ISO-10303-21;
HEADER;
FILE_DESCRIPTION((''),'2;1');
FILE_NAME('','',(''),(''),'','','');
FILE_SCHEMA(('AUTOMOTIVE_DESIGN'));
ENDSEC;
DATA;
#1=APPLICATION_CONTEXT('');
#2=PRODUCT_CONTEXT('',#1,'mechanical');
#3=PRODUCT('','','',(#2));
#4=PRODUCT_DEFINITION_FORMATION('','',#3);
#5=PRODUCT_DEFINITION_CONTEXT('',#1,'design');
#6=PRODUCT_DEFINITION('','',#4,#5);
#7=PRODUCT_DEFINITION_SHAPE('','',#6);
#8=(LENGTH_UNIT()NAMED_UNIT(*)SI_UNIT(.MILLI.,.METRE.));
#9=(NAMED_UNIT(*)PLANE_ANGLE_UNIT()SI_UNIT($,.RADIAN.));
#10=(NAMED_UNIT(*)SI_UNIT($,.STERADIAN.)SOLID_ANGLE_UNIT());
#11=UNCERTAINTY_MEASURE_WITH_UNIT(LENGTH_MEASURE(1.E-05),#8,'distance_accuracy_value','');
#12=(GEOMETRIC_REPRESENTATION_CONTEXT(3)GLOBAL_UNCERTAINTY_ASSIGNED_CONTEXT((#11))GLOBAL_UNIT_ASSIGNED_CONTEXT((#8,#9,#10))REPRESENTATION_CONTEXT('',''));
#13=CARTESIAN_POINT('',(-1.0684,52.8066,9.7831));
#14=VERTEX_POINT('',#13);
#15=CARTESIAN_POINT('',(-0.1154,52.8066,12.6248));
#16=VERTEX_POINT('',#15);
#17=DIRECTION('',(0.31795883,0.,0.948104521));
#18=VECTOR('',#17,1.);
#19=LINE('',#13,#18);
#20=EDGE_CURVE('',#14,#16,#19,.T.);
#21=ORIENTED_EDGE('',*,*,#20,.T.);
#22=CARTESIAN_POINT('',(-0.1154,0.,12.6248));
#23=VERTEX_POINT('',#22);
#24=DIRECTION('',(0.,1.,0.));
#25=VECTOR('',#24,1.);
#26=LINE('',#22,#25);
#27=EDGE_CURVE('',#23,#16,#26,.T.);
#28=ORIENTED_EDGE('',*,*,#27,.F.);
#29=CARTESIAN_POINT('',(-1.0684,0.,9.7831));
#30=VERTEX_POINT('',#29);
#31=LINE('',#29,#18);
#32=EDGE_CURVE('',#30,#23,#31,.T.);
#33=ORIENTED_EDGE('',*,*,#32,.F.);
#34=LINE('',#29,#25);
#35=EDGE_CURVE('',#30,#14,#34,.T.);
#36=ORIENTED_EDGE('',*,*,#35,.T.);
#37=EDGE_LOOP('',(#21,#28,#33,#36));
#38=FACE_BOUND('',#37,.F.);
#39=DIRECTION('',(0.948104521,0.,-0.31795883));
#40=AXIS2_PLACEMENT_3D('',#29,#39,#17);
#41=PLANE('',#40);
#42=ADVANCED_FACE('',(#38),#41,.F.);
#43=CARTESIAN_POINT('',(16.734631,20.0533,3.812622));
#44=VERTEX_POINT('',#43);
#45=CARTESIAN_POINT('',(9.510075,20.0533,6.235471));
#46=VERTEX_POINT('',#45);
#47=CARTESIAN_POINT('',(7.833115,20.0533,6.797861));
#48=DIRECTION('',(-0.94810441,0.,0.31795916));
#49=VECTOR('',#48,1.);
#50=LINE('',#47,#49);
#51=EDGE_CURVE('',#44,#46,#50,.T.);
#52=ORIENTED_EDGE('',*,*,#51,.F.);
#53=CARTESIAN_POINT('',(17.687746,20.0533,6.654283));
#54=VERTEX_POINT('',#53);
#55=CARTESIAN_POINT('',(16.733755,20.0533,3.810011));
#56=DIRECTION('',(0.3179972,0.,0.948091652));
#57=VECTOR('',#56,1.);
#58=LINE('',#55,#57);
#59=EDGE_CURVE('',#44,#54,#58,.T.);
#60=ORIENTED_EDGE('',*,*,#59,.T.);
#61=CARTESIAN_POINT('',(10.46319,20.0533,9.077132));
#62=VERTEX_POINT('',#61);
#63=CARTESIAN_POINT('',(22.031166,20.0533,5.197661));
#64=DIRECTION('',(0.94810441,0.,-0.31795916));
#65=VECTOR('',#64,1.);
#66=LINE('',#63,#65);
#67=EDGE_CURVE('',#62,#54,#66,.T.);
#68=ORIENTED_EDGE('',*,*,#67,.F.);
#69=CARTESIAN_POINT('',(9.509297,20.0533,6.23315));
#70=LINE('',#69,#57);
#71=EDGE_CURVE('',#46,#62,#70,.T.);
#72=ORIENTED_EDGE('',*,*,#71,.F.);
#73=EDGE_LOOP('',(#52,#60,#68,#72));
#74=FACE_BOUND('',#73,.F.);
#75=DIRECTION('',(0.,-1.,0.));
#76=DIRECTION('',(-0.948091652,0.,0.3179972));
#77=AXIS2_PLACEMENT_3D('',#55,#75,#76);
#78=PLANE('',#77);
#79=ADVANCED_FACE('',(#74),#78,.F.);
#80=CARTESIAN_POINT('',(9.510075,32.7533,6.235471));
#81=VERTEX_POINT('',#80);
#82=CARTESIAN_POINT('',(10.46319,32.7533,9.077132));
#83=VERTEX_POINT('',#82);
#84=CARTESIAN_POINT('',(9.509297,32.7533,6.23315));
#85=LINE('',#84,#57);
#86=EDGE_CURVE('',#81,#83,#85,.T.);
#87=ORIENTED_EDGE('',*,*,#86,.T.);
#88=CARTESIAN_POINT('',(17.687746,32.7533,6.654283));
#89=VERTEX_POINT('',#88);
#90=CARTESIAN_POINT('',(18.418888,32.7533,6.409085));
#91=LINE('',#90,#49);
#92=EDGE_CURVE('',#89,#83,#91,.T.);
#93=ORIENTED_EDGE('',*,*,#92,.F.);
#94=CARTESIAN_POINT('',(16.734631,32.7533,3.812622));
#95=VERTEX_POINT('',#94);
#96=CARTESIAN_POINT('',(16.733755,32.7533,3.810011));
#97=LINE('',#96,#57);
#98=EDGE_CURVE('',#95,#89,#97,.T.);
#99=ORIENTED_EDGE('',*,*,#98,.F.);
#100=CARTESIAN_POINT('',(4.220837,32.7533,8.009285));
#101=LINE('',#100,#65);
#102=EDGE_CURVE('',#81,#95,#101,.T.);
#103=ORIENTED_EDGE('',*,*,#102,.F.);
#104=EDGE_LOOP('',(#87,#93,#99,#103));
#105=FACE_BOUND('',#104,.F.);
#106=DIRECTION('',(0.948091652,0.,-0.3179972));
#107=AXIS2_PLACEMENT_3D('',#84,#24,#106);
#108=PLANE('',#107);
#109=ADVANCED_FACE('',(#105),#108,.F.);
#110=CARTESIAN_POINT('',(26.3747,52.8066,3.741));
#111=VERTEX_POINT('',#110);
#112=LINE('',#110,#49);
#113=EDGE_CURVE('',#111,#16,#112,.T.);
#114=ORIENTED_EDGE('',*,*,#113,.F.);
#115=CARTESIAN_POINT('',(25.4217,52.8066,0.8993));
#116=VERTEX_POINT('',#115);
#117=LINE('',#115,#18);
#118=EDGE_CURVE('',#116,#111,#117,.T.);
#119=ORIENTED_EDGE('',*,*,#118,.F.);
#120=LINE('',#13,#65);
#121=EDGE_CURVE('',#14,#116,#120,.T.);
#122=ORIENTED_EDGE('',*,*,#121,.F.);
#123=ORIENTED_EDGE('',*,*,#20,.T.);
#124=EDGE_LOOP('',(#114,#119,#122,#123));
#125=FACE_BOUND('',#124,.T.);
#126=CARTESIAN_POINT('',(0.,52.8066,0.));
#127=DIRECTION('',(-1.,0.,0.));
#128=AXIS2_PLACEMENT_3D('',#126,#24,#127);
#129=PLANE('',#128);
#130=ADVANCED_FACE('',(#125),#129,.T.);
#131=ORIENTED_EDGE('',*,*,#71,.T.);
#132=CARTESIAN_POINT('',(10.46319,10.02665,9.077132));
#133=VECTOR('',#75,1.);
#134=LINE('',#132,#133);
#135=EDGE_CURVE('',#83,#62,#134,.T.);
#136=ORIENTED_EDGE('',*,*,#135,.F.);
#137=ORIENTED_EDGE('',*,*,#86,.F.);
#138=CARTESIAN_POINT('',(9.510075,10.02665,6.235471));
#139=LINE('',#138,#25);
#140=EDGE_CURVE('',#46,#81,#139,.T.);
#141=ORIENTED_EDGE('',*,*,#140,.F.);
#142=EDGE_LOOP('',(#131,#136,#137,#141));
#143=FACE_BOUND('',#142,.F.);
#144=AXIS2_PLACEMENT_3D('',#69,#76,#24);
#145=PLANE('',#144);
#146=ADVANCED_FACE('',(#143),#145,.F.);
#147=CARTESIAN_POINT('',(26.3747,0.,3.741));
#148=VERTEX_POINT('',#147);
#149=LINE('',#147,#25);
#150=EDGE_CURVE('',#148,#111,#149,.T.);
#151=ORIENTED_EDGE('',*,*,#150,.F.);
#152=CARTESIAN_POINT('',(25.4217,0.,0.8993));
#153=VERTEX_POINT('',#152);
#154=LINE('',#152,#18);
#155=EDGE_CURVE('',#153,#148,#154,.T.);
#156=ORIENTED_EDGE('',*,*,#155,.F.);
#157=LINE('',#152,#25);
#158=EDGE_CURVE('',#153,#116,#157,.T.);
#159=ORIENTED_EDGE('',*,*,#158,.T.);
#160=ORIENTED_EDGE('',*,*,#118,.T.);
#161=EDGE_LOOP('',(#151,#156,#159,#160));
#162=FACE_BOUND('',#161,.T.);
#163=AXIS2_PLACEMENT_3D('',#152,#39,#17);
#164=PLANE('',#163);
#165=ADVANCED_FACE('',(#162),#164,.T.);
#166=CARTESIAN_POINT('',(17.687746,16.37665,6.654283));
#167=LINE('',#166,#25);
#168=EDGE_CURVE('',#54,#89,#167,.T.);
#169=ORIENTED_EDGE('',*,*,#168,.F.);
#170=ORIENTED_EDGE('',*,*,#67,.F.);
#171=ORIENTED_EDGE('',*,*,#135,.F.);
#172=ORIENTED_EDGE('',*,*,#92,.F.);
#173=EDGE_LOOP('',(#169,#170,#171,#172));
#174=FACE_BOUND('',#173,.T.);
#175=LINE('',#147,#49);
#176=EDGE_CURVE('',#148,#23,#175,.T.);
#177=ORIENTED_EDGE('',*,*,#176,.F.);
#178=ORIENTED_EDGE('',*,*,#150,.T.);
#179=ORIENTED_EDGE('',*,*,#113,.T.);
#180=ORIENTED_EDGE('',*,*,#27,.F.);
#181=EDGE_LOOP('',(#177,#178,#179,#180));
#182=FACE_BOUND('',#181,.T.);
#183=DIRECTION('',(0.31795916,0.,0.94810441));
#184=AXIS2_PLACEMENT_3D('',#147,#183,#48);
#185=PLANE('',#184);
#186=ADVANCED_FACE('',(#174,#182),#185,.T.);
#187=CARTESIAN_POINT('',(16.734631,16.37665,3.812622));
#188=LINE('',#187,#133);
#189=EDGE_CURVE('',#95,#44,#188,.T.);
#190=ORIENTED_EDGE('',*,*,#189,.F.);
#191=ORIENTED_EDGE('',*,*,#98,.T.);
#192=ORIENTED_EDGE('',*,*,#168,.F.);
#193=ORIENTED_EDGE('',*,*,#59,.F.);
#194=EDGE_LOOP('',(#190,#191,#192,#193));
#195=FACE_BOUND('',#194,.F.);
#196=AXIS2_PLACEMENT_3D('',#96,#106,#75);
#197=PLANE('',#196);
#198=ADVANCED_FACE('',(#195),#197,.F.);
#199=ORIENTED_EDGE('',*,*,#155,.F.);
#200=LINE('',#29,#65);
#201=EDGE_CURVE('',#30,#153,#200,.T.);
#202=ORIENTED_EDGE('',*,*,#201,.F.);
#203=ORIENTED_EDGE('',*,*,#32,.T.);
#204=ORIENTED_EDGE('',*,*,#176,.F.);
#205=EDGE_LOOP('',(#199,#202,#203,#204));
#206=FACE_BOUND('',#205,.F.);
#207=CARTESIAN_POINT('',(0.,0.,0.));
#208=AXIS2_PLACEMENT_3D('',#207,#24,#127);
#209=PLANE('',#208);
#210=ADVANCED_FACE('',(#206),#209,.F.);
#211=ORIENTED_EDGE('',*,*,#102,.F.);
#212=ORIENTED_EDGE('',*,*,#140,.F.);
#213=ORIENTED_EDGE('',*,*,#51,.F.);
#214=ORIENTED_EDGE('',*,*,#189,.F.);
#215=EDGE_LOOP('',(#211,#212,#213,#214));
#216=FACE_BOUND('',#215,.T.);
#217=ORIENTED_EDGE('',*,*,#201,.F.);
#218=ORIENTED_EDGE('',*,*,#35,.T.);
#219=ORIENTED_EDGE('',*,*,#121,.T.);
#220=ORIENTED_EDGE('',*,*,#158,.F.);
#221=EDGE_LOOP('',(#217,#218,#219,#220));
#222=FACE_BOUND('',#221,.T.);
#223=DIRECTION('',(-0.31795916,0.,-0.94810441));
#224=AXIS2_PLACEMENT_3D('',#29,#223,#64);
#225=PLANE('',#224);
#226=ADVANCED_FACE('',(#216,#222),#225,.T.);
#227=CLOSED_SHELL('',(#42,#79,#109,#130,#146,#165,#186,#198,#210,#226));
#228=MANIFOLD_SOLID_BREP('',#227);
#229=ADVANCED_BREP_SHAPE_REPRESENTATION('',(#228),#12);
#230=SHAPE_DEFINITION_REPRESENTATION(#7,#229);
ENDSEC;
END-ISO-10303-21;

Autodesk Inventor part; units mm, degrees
ref_plane "YZ Plane" through (0, 0, 0) normal (1, 0, 0) x (0, 1, 0)
ref_plane "XZ Plane" through (0, 0, 0) normal (0, 1, 0) x (-1, 0, 0)
ref_plane "XY Plane" through (0, 0, 0) normal (0, 0, 1) x (1, 0, 0)
sketch "Sketch1" plane through (0, 0, 0) normal (0, 1, 0) x (-1, 0, 0)
  line L0 (1.0684, 9.7831) -> (-25.4217, 0.8993)
  line L1 (-26.3747, 3.741) -> (0.1154, 12.6248)
  line L2 (1.0684, 9.7831) -> (0.1154, 12.6248)
  line L3 (-25.4217, 0.8993) -> (-26.3747, 3.741)
  point P0 (0, 0)
  point P1 (-9.2456, 5.0352)
  dimension "d0" = 27.94
  dimension "d5" = 2.9972
extrude "Extrusion1" add sketch "Sketch1" along normal blind 52.8066
sketch "Sketch2" plane through (-1.0684, 0, 9.7831) normal (-0.318, 0, -0.9481) x (-0.9481, 0, 0.318)
  line L0 (0, 0) -> (-27.94, 0) projected
  line L1 (-27.94, 52.8066) -> (0, 52.8066) projected
  line L2 (-18.7775, 20.0533) -> (-11.1575, 20.0533)
  line L3 (-11.1575, 20.0533) -> (-11.1575, 32.7533)
  line L4 (-11.1575, 32.7533) -> (-18.7775, 32.7533)
  line L5 (-18.7775, 32.7533) -> (-18.7775, 20.0533)
  line L6 (0, 0) -> (0, 52.8066) projected
  point P0 (-4.1236, 0)
  dimension "d9" = 12.7
  dimension "d10" = 7.62
  dimension "d13" = 20.0533
  dimension "d14" = 20.0533
  dimension "d18" = 18.7775
extrude "Extrusion2" cut sketch "Sketch2" against normal blind 25.4
properties part number "Lidar Sensor Case Piece 4"
